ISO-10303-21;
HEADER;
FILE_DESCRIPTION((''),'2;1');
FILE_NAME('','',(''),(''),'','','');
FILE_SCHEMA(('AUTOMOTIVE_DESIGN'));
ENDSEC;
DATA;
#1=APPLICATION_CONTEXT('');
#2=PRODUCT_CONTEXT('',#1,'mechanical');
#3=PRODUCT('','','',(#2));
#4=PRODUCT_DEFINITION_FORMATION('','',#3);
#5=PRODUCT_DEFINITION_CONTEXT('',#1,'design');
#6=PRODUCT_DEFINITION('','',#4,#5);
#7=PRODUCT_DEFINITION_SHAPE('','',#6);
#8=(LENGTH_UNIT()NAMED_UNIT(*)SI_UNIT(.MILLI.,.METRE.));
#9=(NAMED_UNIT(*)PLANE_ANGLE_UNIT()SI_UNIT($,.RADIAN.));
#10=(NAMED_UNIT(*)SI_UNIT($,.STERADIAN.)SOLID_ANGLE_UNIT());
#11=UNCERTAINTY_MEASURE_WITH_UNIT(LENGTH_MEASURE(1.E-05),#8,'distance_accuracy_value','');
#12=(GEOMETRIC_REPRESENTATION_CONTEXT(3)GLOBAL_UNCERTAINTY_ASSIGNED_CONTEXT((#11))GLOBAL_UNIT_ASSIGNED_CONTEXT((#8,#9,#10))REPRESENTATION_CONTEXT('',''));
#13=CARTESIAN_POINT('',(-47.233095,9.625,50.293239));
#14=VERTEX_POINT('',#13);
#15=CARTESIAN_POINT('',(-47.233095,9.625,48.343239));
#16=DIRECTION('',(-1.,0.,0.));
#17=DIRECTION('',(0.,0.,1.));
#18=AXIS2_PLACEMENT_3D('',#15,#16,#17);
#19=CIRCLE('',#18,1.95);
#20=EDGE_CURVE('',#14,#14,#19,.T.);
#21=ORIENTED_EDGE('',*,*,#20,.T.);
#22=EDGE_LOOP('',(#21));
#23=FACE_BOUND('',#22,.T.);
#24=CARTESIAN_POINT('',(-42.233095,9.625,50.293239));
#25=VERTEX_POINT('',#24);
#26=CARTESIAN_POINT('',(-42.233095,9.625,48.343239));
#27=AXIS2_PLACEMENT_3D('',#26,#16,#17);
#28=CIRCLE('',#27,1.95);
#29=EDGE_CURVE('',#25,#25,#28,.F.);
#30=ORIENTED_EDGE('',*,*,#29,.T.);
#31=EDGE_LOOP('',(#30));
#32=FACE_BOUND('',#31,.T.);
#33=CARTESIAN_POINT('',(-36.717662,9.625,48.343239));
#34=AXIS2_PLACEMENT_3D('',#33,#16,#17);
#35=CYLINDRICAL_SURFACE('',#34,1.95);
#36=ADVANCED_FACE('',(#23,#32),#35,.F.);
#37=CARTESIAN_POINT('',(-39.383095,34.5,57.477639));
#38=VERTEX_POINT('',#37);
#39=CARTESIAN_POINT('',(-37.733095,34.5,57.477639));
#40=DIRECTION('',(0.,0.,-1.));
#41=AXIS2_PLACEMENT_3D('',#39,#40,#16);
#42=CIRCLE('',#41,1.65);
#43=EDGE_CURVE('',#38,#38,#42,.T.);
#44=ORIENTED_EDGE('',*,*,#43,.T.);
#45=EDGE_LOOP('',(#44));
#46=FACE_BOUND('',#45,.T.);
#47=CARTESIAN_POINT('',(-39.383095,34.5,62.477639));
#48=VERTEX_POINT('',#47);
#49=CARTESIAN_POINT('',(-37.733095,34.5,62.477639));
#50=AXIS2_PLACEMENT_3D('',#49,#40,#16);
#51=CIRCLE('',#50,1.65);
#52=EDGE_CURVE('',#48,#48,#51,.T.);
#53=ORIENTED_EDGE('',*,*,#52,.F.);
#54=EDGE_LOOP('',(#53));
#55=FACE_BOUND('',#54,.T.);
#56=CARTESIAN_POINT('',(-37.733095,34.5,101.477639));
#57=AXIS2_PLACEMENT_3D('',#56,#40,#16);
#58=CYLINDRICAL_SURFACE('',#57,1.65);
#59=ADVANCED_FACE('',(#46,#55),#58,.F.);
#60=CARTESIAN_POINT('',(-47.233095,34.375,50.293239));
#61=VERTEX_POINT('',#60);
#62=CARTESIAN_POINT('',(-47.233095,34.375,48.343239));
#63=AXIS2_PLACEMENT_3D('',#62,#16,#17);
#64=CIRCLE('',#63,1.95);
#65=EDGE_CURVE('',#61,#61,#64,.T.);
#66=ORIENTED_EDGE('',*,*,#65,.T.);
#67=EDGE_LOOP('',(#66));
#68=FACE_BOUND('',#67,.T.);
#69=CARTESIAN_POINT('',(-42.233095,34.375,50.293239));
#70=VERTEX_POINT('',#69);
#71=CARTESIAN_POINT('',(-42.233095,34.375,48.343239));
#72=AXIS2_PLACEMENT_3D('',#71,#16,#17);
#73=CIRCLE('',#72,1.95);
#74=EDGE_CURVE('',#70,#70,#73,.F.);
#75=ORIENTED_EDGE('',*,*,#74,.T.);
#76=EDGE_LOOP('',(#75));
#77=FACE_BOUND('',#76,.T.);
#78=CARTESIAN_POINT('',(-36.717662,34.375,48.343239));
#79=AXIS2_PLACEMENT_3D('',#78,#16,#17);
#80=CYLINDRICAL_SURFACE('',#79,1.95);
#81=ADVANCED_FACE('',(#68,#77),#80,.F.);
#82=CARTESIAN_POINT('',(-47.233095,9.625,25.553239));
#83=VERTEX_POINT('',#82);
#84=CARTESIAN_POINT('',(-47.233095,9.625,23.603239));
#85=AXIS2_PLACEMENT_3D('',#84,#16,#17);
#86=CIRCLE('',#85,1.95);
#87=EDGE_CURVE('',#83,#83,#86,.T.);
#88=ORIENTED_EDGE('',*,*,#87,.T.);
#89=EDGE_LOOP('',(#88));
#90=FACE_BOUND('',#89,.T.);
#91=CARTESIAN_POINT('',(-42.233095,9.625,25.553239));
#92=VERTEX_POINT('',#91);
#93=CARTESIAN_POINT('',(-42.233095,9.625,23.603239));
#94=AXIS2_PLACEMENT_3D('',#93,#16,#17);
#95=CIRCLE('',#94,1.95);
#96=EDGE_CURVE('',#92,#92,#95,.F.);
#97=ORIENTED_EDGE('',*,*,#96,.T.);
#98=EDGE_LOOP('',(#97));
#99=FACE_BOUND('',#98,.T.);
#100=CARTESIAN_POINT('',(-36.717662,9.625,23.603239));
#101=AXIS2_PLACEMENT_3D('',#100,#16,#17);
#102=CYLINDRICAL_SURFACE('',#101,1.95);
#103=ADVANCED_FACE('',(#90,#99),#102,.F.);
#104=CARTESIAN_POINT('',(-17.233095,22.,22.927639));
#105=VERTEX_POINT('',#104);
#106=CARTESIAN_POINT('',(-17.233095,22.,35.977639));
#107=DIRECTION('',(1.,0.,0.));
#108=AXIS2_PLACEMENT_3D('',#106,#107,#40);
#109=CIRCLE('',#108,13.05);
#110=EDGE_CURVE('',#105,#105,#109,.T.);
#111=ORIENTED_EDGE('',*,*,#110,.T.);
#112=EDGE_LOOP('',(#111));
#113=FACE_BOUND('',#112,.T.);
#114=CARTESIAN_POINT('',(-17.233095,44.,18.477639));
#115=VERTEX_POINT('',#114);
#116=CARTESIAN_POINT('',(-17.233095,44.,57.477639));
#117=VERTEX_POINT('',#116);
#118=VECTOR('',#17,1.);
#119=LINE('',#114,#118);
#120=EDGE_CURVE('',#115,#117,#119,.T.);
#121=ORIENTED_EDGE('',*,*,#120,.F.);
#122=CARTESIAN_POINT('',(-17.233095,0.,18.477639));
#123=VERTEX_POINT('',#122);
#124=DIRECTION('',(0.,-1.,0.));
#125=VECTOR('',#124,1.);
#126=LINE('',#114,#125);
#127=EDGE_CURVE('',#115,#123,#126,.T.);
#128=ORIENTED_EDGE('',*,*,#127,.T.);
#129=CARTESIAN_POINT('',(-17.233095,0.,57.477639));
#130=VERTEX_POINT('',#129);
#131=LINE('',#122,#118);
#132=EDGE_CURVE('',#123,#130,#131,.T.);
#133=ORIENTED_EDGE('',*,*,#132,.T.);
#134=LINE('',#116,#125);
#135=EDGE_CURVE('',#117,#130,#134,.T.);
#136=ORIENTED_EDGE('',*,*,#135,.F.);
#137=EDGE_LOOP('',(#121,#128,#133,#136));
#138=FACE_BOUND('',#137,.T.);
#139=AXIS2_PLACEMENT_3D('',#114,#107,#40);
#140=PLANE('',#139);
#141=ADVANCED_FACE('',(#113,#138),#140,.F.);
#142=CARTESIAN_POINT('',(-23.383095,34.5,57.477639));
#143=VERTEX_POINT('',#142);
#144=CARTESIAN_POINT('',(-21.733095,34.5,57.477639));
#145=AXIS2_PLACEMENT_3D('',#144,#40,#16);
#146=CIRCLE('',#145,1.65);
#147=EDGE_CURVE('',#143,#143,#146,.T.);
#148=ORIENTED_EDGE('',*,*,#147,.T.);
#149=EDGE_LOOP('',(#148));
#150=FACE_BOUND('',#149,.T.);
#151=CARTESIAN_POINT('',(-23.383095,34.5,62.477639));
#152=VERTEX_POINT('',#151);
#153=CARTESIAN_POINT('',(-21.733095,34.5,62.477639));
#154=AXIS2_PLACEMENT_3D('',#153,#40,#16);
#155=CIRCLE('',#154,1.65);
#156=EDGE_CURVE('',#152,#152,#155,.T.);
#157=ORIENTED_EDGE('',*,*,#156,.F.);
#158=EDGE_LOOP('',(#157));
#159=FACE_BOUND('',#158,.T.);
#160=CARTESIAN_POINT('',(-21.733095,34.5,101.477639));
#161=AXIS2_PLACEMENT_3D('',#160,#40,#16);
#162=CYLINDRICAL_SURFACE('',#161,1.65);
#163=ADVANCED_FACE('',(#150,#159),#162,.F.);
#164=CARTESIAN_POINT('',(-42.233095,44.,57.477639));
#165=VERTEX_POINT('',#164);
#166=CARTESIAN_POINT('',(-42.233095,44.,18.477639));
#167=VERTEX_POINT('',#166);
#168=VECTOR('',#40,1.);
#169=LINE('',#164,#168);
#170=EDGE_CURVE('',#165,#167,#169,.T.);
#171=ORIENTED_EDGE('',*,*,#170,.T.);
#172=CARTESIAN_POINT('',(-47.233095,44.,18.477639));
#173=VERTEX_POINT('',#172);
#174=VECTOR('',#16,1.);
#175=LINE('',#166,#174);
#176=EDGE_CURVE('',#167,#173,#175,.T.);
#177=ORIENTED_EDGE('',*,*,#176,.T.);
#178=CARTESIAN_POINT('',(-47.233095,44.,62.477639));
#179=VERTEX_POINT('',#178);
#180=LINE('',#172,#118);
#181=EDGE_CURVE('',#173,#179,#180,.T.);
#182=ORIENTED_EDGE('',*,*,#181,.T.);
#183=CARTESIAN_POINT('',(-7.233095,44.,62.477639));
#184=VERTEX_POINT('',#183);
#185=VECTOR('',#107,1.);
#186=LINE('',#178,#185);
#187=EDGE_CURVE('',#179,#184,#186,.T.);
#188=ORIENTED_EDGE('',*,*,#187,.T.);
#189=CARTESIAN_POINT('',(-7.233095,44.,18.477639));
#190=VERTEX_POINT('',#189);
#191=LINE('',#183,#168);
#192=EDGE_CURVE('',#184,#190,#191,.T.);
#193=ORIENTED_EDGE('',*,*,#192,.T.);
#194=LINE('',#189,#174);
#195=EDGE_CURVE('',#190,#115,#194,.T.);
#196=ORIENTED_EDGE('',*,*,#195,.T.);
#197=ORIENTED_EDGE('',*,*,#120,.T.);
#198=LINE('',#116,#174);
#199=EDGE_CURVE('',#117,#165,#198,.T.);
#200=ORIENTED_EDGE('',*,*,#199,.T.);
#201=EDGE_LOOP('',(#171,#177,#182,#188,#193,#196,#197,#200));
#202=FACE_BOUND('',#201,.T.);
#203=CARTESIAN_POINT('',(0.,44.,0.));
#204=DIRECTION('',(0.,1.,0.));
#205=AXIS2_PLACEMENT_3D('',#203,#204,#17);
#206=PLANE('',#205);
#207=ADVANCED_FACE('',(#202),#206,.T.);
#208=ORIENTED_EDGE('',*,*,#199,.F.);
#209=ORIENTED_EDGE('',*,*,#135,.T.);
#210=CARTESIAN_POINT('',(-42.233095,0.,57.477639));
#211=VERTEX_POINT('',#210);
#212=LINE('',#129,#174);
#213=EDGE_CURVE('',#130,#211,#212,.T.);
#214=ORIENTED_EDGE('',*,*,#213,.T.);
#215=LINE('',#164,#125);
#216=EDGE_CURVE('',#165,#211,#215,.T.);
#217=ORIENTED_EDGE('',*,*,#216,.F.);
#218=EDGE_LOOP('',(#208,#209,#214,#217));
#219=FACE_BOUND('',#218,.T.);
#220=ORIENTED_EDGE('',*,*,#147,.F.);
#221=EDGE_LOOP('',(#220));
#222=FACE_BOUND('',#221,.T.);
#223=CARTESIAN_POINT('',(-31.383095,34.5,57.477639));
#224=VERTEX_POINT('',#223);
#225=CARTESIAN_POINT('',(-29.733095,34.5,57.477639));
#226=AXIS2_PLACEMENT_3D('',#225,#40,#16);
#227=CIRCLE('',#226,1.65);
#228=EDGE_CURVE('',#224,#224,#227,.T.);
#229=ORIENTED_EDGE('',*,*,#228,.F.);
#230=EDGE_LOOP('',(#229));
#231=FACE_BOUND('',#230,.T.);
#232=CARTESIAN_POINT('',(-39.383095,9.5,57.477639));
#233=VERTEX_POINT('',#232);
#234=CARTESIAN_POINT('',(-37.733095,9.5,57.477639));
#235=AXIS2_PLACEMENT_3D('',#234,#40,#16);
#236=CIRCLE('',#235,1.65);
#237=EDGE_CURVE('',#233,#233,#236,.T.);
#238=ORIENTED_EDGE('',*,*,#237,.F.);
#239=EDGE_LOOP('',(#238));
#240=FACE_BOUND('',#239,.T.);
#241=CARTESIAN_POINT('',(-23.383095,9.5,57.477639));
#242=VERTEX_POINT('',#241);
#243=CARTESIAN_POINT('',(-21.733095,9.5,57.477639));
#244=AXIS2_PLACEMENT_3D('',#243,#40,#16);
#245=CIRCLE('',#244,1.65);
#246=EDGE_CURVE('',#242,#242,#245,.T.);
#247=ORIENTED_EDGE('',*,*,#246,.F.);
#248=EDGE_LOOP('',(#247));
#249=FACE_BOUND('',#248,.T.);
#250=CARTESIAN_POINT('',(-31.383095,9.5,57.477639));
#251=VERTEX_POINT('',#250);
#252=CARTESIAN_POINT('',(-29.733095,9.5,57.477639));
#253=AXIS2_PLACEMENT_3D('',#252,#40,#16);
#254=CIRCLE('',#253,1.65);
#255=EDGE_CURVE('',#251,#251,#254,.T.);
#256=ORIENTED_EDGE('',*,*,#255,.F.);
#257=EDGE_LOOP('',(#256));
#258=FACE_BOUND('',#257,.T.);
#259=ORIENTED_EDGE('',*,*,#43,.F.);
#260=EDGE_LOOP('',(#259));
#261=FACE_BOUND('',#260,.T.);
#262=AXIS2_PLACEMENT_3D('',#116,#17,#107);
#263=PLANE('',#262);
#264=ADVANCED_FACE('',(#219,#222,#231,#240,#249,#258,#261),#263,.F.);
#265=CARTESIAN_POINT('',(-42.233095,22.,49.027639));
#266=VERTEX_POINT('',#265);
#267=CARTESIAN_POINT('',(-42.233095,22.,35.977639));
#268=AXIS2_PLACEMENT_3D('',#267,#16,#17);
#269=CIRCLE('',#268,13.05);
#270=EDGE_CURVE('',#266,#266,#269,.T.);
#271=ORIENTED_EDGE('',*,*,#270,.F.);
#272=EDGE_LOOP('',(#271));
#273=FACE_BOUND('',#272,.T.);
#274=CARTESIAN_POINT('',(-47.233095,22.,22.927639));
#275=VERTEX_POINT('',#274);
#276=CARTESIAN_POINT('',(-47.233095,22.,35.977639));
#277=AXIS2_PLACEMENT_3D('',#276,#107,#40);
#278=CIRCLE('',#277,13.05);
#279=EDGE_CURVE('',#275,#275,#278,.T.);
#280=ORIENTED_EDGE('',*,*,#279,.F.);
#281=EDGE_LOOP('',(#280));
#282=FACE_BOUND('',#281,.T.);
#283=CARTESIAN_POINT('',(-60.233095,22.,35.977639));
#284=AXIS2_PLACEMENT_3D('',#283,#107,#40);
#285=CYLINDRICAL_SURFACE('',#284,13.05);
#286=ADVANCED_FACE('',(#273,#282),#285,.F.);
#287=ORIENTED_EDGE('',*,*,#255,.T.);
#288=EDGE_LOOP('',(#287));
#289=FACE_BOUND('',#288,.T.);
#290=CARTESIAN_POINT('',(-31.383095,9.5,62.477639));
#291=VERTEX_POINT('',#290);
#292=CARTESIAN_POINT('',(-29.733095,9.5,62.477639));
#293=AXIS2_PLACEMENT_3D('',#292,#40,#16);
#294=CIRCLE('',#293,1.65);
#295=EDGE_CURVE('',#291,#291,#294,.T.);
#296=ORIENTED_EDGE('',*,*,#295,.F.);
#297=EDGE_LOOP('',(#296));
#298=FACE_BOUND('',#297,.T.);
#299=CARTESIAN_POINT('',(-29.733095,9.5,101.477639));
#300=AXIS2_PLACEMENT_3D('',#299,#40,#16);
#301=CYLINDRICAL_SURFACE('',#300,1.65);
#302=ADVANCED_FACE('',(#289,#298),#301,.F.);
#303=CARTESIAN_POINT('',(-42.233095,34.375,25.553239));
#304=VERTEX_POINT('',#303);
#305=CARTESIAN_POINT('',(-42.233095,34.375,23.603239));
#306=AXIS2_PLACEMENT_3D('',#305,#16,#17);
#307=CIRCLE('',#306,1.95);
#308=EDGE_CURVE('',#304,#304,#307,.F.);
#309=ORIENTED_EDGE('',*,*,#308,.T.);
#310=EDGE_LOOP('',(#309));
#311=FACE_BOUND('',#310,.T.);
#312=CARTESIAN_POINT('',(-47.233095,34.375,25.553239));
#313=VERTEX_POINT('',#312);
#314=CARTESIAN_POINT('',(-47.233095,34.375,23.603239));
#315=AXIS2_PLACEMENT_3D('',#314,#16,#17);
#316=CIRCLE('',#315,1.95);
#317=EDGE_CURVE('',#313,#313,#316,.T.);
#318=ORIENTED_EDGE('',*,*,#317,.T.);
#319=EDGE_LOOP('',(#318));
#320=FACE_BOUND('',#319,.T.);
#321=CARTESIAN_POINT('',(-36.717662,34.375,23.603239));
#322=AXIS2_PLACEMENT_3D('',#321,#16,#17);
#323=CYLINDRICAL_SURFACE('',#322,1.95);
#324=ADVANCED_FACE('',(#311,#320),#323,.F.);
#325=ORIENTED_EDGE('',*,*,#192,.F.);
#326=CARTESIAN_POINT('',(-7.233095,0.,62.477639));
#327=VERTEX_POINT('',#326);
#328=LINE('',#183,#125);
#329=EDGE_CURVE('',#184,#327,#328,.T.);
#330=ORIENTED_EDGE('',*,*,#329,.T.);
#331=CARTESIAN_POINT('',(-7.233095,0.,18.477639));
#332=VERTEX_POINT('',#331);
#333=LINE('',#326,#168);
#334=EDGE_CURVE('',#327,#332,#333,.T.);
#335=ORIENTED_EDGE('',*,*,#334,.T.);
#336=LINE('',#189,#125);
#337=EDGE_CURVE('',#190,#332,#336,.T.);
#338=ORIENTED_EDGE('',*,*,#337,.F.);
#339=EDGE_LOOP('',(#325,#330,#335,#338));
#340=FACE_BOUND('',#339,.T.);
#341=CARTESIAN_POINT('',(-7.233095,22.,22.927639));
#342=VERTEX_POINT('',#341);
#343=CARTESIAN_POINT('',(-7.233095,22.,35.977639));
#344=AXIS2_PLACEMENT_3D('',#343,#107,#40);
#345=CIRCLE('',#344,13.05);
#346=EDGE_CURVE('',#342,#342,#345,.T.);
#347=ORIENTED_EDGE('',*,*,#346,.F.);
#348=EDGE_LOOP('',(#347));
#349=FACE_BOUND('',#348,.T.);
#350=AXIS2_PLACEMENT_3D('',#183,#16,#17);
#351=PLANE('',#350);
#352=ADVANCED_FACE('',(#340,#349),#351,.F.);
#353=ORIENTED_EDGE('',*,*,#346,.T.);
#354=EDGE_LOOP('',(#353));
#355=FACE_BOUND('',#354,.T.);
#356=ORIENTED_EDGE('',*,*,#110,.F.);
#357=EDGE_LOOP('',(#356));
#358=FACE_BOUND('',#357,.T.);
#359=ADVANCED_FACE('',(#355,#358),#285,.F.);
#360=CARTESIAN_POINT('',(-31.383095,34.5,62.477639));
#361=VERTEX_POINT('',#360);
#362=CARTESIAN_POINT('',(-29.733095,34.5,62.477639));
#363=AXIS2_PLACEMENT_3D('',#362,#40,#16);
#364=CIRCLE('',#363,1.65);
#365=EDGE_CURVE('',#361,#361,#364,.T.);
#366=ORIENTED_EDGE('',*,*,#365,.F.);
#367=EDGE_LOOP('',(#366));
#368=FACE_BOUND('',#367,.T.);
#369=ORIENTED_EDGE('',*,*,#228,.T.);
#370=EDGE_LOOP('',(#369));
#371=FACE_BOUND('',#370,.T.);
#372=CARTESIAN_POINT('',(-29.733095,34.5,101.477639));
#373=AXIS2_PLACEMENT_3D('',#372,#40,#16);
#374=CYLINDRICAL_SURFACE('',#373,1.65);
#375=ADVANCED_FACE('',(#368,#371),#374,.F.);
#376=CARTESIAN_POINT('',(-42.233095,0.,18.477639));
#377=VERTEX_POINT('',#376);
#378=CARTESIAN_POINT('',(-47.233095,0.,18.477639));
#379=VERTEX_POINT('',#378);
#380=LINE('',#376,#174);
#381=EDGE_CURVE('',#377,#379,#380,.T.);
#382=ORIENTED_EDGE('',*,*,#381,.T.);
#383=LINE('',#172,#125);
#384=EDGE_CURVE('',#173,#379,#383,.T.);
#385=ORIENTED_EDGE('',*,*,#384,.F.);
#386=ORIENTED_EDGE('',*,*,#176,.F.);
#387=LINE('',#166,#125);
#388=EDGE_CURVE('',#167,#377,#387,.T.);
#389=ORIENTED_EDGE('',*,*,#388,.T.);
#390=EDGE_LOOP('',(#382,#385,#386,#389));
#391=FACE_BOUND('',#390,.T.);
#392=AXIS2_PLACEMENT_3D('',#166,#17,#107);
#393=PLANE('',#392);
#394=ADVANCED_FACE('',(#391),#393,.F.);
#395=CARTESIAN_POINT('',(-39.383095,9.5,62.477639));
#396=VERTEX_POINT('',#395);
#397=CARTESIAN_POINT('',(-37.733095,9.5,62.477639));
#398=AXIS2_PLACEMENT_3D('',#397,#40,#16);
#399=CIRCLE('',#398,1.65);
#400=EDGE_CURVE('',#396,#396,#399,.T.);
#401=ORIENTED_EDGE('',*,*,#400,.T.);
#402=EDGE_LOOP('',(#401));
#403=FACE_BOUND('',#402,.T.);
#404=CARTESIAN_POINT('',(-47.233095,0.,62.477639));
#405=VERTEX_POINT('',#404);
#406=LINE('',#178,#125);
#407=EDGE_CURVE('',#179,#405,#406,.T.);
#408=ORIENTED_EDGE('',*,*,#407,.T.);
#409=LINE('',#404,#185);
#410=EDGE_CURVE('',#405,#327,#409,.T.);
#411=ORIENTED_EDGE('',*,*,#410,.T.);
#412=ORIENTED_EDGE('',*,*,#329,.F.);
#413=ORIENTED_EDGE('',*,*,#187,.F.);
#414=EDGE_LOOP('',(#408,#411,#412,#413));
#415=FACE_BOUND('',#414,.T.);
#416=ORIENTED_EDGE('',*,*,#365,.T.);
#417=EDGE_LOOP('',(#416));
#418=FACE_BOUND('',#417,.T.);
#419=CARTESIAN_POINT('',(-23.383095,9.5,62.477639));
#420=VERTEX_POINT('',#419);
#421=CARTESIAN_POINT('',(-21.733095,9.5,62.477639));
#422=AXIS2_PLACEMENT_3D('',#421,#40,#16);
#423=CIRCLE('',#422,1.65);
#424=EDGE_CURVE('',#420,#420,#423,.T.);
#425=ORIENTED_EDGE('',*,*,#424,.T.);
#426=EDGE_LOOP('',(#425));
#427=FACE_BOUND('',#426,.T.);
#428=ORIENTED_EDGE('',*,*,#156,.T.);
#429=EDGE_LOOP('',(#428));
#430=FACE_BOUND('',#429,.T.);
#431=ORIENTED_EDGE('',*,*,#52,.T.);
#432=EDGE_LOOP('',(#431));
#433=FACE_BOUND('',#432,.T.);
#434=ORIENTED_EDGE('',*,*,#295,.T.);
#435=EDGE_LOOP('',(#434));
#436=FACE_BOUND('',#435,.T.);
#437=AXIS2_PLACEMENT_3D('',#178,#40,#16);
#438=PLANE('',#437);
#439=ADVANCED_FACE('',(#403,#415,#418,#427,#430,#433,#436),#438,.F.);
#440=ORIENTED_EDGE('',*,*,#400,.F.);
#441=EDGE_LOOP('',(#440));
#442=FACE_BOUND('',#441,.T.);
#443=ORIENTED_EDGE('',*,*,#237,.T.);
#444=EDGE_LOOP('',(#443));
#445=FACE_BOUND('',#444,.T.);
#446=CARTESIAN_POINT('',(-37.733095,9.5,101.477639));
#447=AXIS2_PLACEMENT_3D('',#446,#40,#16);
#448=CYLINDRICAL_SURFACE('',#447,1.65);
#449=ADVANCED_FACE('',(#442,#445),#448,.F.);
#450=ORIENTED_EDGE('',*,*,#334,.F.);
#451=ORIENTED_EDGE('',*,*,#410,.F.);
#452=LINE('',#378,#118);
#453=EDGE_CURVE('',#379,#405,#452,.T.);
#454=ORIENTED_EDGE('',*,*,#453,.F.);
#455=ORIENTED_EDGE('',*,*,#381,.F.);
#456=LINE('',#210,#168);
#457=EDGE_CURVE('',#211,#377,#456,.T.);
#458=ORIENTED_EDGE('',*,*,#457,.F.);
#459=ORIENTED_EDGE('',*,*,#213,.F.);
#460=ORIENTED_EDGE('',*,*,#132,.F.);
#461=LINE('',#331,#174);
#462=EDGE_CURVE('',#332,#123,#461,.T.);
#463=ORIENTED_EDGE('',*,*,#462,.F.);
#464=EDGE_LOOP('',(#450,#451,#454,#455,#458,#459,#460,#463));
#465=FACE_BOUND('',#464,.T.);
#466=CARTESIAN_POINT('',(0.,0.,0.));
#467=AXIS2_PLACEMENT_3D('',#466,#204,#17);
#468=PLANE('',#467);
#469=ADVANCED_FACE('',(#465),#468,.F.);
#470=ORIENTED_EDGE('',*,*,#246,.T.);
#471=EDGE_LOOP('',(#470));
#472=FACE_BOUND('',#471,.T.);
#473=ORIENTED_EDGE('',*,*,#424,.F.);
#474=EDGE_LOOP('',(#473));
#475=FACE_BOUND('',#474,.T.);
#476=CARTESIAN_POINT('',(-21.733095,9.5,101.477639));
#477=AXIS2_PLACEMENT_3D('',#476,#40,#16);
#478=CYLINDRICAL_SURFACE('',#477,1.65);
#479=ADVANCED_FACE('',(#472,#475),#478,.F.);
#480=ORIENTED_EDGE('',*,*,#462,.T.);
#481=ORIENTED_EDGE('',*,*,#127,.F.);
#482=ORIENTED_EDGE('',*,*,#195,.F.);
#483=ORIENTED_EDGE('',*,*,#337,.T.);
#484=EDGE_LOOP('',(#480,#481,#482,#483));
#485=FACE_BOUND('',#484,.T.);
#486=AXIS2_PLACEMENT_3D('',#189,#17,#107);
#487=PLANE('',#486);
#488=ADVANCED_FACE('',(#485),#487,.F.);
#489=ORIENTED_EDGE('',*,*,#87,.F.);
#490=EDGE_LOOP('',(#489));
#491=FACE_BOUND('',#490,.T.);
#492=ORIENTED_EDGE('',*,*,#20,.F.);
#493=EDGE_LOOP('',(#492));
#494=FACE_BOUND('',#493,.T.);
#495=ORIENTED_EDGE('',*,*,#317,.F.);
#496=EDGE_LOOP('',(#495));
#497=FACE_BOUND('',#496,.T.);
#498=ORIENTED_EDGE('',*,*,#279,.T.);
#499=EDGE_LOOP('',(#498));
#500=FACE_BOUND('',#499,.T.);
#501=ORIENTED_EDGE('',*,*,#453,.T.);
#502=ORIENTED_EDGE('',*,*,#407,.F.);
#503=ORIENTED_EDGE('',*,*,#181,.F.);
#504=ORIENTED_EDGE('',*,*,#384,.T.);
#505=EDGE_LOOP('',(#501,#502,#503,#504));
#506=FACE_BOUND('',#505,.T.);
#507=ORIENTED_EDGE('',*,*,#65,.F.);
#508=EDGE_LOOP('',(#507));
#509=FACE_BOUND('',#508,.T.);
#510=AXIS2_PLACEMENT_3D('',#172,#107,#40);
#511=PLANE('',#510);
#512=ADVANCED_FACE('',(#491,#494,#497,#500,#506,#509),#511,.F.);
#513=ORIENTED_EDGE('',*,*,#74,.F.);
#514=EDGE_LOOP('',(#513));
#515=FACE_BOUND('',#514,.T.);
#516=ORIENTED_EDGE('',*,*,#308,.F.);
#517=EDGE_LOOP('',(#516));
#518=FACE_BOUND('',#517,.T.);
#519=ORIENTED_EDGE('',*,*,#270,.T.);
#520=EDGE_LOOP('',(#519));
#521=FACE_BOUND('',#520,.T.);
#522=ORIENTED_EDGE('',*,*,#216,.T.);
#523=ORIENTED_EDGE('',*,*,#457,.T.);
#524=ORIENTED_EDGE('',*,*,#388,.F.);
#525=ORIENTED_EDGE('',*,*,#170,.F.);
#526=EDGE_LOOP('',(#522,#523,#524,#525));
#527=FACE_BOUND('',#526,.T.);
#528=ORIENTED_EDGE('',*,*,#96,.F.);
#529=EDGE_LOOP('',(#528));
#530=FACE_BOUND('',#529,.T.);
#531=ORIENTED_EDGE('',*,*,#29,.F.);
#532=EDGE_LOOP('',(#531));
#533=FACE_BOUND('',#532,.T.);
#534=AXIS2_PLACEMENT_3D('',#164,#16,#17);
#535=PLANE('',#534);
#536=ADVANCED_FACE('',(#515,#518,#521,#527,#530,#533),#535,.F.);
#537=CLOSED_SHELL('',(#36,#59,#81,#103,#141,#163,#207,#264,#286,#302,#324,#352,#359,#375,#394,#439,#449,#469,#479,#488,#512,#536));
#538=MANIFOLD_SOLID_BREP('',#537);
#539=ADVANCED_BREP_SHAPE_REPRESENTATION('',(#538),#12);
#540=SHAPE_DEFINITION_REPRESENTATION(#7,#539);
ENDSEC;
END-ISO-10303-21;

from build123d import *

# Parameters (mm, degrees)
EXTRUDE_1_DEPTH     = 44
SKETCH_3_R          = 1.65
CUT_EXTRUDE_1_DEPTH = 44
SKETCH_6_R          = 1.95
CUT_EXTRUDE_5_DEPTH = 5
SKETCH_4_R          = 13.05
CUT_EXTRUDE_6_DEPTH = 53


with BuildPart() as part:
    # 草图1 → 凸台-拉伸1 (new body)
    with BuildSketch(Plane(origin=(0, 0, 0), x_dir=(1, 0, 0), z_dir=(0, 1, 0))):
        Polygon((-47.233094812, -18.47763864), (-47.233094812, -62.47763864), (-7.233094812, -62.47763864), (-7.233094812, -18.47763864), (-17.233094812, -18.47763864), (-17.233094812, -57.47763864), (-42.233094812, -57.47763864), (-42.233094812, -18.47763864), align=None)
    extrude(amount=EXTRUDE_1_DEPTH)

    # 草图3 → 切除-拉伸1 (cut)
    with BuildSketch(Plane(origin=(0, 0, 57.47763864), x_dir=(-1, 0, 0), z_dir=(0, 0, -1))):
        with Locations((37.733094812, 34.5)):
            Circle(SKETCH_3_R)
        with Locations((37.733094812, 9.5)):
            Circle(SKETCH_3_R)
        with Locations((29.733094812, 34.5)):
            Circle(SKETCH_3_R)
        with Locations((29.733094812, 9.5)):
            Circle(SKETCH_3_R)
        with Locations((21.733094812, 34.5)):
            Circle(SKETCH_3_R)
        with Locations((21.733094812, 9.5)):
            Circle(SKETCH_3_R)
    extrude(amount=-CUT_EXTRUDE_1_DEPTH, mode=Mode.SUBTRACT)

    # 草图6 → 切除-拉伸5 (cut)
    with BuildSketch(Plane.ZY.offset(47.233094812)):
        with Locations((48.34323864, 34.375)):
            Circle(SKETCH_6_R)
        with Locations((23.60323864, 34.375)):
            Circle(SKETCH_6_R)
        with Locations((48.34323864, 9.625)):
            Circle(SKETCH_6_R)
        with Locations((23.60323864, 9.625)):
            Circle(SKETCH_6_R)
    extrude(amount=-CUT_EXTRUDE_5_DEPTH, mode=Mode.SUBTRACT)

    # 草图4 → 切除-拉伸6 (cut)
    with BuildSketch(Plane(origin=(-7.233094812, 0, 0), x_dir=(0, 0, -1), z_dir=(1, 0, 0))):
        with Locations((-35.97763864, 22)):
            Circle(SKETCH_4_R)
    extrude(amount=-CUT_EXTRUDE_6_DEPTH, mode=Mode.SUBTRACT)


solid = part.part
